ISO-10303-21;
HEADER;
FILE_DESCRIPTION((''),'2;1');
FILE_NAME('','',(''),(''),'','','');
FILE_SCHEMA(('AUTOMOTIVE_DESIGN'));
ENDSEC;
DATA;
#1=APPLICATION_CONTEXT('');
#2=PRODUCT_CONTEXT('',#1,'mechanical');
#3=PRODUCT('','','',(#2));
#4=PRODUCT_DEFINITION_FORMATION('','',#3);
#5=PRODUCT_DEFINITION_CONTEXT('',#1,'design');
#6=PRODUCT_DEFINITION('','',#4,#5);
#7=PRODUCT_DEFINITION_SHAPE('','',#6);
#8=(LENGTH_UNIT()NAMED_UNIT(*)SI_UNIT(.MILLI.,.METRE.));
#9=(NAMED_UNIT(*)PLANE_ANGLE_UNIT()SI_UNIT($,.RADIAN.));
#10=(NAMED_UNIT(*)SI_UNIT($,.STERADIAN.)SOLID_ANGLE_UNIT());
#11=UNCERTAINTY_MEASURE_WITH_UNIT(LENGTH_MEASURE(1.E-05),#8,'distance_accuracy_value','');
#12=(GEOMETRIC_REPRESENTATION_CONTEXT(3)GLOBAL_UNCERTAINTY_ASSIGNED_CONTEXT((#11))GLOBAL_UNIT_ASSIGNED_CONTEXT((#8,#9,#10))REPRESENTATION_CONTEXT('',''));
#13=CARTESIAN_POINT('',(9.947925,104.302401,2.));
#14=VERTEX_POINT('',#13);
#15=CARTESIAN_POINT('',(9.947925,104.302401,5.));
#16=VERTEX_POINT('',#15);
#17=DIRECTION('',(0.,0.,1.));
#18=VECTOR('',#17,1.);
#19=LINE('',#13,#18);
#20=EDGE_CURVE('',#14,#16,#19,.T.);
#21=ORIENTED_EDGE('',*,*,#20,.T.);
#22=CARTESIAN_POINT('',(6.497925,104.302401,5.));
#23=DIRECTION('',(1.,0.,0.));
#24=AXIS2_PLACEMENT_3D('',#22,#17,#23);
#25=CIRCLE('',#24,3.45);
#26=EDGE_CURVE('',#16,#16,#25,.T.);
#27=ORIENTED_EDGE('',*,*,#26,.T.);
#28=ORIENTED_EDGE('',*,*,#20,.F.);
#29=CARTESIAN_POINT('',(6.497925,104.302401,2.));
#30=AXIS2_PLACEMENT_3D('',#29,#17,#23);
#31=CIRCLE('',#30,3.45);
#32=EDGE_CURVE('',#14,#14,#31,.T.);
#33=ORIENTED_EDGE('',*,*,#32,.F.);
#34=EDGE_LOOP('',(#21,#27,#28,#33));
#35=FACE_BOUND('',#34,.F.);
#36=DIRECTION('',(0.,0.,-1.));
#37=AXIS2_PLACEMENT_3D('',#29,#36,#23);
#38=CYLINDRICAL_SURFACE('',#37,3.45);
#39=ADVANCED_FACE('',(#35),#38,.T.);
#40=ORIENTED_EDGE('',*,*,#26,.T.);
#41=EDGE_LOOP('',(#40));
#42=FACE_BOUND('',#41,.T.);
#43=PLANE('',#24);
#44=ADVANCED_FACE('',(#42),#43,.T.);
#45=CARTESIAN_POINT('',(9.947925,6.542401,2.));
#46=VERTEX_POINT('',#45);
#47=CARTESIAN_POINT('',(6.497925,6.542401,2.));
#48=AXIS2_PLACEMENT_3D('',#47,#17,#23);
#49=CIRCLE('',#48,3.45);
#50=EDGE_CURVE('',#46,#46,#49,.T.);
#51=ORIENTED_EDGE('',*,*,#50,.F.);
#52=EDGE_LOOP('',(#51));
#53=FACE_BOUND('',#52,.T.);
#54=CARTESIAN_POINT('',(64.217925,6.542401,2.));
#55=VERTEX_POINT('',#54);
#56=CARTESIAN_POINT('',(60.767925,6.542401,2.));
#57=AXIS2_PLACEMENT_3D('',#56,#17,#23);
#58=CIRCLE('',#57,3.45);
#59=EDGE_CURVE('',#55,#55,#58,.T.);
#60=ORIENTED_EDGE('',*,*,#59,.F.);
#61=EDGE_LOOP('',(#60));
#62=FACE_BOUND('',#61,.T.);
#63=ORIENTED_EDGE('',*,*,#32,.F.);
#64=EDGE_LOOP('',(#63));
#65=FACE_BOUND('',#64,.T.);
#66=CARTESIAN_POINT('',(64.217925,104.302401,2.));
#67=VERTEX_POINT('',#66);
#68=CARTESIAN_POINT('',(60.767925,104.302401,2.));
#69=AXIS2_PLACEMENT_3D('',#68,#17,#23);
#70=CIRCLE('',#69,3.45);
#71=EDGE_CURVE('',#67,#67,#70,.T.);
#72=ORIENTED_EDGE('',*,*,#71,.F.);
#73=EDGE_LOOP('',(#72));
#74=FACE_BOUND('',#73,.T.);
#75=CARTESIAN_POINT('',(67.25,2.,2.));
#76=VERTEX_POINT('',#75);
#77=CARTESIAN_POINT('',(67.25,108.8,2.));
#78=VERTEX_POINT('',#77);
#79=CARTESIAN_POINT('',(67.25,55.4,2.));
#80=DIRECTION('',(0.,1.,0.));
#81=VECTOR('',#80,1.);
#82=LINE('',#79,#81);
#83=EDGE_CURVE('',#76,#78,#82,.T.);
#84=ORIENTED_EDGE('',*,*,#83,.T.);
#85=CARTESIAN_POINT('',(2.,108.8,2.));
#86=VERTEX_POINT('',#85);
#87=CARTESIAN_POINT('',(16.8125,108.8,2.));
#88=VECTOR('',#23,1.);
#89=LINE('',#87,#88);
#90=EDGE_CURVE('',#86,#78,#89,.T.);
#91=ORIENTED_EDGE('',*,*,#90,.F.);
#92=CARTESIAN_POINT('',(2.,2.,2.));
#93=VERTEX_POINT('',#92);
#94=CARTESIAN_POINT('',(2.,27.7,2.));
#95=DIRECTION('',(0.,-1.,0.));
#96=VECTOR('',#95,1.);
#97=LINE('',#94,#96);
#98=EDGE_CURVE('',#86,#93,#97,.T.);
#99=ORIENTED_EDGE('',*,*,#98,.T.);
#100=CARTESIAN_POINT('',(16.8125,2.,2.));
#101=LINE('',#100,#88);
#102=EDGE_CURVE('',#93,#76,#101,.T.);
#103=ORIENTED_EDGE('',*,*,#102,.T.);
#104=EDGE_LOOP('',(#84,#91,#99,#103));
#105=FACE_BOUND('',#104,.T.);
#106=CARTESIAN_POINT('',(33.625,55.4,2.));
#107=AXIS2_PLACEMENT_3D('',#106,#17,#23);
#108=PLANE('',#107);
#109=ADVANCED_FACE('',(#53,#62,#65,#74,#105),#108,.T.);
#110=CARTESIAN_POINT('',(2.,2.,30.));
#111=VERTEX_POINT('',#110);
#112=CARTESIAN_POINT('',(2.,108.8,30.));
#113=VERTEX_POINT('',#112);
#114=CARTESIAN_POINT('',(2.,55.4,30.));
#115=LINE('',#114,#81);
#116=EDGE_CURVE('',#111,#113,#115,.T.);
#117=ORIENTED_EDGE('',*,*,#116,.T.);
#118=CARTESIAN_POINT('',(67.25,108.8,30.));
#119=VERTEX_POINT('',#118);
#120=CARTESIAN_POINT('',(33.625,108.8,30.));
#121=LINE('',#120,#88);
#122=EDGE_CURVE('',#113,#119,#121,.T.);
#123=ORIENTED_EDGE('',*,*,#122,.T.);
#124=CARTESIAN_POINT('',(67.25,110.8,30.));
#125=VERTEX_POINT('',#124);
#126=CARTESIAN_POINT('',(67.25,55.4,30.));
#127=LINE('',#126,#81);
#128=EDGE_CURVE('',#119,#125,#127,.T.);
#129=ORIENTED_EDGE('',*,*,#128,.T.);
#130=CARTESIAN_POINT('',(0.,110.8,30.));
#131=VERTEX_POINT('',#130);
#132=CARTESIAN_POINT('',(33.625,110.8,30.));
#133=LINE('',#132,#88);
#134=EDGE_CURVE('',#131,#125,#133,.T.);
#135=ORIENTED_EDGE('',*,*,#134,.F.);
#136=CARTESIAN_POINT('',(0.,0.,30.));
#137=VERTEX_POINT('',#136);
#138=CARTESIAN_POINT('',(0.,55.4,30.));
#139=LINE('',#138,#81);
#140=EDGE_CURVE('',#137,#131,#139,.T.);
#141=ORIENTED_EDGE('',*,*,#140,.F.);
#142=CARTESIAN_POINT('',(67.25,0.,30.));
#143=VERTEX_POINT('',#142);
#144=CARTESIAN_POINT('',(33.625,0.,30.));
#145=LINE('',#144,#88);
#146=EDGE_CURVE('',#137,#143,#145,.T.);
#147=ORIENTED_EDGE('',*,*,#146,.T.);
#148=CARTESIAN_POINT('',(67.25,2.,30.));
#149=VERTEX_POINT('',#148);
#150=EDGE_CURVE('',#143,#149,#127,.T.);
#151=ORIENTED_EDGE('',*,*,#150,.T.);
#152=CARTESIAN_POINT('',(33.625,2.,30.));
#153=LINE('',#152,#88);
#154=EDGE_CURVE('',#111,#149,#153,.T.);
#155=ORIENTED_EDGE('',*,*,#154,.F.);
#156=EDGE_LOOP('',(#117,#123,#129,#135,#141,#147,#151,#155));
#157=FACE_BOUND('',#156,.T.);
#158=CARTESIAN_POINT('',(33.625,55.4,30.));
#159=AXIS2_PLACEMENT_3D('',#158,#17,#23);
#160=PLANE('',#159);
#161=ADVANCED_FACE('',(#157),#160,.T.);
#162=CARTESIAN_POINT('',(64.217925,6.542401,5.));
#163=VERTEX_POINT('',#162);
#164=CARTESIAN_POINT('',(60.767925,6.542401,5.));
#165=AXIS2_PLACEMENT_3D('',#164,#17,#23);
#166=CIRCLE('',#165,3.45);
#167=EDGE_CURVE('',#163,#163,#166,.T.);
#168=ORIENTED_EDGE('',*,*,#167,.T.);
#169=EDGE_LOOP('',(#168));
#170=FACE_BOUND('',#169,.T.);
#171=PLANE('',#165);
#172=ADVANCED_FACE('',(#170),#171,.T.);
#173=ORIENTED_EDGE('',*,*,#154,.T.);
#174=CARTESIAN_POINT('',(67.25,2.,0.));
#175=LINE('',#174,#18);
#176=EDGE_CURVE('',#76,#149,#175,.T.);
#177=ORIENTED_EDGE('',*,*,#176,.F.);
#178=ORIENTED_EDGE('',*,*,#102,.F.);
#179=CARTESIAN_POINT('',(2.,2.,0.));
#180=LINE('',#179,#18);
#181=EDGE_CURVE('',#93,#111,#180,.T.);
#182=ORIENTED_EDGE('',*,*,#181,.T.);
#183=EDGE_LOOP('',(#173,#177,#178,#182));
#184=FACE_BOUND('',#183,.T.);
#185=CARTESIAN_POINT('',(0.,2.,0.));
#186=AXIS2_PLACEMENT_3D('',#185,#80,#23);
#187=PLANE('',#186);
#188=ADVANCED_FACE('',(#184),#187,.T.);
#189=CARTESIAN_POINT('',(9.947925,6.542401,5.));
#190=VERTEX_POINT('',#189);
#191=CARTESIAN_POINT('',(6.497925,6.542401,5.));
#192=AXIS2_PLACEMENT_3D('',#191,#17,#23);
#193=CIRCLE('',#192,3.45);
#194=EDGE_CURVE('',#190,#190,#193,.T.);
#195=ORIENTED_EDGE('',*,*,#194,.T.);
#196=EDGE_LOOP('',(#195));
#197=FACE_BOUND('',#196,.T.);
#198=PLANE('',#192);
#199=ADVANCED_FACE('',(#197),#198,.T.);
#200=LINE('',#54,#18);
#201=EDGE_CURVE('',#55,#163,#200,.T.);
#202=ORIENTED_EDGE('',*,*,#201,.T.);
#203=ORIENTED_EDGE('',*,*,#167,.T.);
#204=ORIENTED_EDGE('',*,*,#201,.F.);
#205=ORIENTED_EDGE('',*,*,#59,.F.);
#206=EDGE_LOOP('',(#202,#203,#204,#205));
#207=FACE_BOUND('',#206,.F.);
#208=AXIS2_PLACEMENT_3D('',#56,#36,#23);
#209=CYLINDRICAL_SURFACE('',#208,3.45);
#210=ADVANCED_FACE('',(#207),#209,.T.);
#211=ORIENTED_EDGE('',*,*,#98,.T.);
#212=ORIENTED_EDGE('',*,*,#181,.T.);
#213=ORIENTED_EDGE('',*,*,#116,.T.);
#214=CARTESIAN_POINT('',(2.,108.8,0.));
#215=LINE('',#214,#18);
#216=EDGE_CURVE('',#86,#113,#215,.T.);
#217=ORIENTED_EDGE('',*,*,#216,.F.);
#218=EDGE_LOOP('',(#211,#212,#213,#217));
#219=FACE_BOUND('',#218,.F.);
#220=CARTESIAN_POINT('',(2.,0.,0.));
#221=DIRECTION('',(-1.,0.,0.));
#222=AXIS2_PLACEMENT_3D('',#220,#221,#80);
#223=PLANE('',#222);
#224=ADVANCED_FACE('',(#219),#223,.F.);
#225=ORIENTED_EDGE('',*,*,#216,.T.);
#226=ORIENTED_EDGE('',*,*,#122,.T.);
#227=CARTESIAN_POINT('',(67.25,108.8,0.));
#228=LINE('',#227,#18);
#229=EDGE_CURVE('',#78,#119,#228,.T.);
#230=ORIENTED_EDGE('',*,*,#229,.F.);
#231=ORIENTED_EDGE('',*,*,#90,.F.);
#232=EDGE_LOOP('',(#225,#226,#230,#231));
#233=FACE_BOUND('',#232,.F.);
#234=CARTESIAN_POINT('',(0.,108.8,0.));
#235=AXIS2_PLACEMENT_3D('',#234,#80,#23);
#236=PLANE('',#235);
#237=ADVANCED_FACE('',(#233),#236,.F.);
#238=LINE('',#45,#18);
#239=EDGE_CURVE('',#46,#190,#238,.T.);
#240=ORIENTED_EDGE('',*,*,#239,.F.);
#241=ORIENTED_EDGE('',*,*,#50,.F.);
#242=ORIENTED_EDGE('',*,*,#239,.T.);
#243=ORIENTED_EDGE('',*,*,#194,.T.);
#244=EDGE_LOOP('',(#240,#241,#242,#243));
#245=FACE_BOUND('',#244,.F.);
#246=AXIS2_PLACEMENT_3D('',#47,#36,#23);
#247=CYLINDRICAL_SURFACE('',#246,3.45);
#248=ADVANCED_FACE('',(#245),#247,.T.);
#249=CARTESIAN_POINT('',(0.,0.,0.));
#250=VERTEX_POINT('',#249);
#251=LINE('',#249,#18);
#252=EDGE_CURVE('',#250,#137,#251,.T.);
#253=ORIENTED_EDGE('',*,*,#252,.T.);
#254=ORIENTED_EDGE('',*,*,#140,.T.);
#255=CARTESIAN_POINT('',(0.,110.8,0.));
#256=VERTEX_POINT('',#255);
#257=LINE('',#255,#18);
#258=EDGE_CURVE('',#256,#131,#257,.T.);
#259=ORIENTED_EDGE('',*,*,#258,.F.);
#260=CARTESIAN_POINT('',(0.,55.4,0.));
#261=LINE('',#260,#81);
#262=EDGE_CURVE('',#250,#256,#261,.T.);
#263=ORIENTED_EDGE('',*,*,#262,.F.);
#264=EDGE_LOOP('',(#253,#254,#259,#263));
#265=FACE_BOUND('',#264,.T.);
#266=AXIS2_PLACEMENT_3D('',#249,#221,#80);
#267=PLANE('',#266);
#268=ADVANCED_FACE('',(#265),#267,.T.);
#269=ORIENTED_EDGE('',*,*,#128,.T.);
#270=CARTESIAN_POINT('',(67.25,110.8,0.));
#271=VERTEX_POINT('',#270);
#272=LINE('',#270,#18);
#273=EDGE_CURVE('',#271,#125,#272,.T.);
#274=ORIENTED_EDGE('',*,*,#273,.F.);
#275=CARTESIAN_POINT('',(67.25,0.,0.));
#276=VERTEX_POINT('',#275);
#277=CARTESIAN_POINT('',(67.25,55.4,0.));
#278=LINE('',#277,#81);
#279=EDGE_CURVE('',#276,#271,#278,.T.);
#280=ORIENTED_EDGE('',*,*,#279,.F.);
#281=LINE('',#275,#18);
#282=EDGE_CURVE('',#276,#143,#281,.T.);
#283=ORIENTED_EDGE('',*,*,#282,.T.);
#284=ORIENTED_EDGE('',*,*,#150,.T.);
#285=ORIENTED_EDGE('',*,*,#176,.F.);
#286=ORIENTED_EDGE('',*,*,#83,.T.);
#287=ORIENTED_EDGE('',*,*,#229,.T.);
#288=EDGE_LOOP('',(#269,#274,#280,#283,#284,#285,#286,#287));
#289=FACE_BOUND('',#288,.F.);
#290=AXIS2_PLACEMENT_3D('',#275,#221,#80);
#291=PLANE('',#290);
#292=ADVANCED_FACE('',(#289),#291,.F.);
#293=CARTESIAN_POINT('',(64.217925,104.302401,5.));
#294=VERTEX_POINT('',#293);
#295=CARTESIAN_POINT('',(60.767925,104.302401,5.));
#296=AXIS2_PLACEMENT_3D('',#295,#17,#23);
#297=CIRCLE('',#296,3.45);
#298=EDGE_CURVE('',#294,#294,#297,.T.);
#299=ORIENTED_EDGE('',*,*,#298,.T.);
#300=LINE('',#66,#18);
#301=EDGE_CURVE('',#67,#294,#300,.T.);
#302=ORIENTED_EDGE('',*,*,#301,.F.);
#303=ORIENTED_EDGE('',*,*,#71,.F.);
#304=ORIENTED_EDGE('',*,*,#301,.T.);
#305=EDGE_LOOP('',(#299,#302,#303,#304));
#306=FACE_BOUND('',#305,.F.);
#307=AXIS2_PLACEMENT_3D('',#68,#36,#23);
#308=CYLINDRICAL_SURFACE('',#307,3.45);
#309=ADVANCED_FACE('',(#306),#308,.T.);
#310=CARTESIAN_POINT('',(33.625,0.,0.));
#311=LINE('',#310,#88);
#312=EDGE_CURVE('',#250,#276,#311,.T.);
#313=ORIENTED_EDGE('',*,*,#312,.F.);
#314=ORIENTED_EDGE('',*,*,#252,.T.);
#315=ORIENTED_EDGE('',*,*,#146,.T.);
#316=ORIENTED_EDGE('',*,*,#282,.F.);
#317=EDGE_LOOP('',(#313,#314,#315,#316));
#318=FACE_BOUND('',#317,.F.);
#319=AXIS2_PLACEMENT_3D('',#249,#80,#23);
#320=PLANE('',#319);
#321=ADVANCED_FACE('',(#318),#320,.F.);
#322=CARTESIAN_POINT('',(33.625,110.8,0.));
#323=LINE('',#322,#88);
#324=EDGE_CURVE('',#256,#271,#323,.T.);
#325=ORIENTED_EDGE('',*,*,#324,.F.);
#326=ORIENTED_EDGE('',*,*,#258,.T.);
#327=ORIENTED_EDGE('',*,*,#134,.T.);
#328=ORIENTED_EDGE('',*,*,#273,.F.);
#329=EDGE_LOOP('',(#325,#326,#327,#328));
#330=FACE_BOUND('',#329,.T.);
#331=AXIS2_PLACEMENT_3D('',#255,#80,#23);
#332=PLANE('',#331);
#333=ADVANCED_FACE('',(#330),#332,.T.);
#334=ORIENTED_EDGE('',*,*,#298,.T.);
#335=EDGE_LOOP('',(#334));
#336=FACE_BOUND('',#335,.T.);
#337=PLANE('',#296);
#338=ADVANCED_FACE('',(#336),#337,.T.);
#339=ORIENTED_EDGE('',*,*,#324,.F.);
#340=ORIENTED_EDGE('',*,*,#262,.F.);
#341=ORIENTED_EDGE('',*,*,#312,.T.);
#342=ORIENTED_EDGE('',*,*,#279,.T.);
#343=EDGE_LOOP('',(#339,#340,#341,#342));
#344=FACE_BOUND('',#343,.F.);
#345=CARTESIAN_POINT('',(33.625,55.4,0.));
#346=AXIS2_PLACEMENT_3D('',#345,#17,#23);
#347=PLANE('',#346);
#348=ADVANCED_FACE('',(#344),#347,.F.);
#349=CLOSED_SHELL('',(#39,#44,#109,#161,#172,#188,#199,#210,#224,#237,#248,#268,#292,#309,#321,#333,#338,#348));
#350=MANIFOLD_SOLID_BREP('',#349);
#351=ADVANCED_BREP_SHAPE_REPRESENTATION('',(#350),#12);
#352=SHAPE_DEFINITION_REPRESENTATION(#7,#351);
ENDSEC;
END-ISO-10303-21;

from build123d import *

# Parameters (mm, degrees)
SKETCH_W     = 67.25
SKETCH_H     = 110.8
PAD_DEPTH    = 30
THICKNESS_T  = -2
SKETCH001_R  = 3.45
PAD001_DEPTH = 3


with BuildPart() as part:
    # Sketch → Pad (new body)
    with BuildSketch(Plane.XY):
        with Locations((33.625, 55.4)):
            Rectangle(SKETCH_W, SKETCH_H)
    extrude(amount=PAD_DEPTH)

    # Thickness
    thickness_openings = [part.faces().sort_by_distance(p)[0] for p in [
        (33.625, 55.4, 30),
        (67.25, 55.4, 15),
    ]]
    offset(amount=THICKNESS_T, openings=thickness_openings)

    # Sketch001 (on Face9 of Thickness) → Pad001 (join)
    with BuildSketch(Plane.XY.offset(2)):
        with Locations((6.497925, 104.302401)):
            Circle(SKETCH001_R)
        with Locations((60.767925, 104.302401)):
            Circle(SKETCH001_R)
        with Locations((60.767925, 6.542401)):
            Circle(SKETCH001_R)
        with Locations((6.497925, 6.542401)):
            Circle(SKETCH001_R)
    extrude(amount=PAD001_DEPTH)


solid = part.part
